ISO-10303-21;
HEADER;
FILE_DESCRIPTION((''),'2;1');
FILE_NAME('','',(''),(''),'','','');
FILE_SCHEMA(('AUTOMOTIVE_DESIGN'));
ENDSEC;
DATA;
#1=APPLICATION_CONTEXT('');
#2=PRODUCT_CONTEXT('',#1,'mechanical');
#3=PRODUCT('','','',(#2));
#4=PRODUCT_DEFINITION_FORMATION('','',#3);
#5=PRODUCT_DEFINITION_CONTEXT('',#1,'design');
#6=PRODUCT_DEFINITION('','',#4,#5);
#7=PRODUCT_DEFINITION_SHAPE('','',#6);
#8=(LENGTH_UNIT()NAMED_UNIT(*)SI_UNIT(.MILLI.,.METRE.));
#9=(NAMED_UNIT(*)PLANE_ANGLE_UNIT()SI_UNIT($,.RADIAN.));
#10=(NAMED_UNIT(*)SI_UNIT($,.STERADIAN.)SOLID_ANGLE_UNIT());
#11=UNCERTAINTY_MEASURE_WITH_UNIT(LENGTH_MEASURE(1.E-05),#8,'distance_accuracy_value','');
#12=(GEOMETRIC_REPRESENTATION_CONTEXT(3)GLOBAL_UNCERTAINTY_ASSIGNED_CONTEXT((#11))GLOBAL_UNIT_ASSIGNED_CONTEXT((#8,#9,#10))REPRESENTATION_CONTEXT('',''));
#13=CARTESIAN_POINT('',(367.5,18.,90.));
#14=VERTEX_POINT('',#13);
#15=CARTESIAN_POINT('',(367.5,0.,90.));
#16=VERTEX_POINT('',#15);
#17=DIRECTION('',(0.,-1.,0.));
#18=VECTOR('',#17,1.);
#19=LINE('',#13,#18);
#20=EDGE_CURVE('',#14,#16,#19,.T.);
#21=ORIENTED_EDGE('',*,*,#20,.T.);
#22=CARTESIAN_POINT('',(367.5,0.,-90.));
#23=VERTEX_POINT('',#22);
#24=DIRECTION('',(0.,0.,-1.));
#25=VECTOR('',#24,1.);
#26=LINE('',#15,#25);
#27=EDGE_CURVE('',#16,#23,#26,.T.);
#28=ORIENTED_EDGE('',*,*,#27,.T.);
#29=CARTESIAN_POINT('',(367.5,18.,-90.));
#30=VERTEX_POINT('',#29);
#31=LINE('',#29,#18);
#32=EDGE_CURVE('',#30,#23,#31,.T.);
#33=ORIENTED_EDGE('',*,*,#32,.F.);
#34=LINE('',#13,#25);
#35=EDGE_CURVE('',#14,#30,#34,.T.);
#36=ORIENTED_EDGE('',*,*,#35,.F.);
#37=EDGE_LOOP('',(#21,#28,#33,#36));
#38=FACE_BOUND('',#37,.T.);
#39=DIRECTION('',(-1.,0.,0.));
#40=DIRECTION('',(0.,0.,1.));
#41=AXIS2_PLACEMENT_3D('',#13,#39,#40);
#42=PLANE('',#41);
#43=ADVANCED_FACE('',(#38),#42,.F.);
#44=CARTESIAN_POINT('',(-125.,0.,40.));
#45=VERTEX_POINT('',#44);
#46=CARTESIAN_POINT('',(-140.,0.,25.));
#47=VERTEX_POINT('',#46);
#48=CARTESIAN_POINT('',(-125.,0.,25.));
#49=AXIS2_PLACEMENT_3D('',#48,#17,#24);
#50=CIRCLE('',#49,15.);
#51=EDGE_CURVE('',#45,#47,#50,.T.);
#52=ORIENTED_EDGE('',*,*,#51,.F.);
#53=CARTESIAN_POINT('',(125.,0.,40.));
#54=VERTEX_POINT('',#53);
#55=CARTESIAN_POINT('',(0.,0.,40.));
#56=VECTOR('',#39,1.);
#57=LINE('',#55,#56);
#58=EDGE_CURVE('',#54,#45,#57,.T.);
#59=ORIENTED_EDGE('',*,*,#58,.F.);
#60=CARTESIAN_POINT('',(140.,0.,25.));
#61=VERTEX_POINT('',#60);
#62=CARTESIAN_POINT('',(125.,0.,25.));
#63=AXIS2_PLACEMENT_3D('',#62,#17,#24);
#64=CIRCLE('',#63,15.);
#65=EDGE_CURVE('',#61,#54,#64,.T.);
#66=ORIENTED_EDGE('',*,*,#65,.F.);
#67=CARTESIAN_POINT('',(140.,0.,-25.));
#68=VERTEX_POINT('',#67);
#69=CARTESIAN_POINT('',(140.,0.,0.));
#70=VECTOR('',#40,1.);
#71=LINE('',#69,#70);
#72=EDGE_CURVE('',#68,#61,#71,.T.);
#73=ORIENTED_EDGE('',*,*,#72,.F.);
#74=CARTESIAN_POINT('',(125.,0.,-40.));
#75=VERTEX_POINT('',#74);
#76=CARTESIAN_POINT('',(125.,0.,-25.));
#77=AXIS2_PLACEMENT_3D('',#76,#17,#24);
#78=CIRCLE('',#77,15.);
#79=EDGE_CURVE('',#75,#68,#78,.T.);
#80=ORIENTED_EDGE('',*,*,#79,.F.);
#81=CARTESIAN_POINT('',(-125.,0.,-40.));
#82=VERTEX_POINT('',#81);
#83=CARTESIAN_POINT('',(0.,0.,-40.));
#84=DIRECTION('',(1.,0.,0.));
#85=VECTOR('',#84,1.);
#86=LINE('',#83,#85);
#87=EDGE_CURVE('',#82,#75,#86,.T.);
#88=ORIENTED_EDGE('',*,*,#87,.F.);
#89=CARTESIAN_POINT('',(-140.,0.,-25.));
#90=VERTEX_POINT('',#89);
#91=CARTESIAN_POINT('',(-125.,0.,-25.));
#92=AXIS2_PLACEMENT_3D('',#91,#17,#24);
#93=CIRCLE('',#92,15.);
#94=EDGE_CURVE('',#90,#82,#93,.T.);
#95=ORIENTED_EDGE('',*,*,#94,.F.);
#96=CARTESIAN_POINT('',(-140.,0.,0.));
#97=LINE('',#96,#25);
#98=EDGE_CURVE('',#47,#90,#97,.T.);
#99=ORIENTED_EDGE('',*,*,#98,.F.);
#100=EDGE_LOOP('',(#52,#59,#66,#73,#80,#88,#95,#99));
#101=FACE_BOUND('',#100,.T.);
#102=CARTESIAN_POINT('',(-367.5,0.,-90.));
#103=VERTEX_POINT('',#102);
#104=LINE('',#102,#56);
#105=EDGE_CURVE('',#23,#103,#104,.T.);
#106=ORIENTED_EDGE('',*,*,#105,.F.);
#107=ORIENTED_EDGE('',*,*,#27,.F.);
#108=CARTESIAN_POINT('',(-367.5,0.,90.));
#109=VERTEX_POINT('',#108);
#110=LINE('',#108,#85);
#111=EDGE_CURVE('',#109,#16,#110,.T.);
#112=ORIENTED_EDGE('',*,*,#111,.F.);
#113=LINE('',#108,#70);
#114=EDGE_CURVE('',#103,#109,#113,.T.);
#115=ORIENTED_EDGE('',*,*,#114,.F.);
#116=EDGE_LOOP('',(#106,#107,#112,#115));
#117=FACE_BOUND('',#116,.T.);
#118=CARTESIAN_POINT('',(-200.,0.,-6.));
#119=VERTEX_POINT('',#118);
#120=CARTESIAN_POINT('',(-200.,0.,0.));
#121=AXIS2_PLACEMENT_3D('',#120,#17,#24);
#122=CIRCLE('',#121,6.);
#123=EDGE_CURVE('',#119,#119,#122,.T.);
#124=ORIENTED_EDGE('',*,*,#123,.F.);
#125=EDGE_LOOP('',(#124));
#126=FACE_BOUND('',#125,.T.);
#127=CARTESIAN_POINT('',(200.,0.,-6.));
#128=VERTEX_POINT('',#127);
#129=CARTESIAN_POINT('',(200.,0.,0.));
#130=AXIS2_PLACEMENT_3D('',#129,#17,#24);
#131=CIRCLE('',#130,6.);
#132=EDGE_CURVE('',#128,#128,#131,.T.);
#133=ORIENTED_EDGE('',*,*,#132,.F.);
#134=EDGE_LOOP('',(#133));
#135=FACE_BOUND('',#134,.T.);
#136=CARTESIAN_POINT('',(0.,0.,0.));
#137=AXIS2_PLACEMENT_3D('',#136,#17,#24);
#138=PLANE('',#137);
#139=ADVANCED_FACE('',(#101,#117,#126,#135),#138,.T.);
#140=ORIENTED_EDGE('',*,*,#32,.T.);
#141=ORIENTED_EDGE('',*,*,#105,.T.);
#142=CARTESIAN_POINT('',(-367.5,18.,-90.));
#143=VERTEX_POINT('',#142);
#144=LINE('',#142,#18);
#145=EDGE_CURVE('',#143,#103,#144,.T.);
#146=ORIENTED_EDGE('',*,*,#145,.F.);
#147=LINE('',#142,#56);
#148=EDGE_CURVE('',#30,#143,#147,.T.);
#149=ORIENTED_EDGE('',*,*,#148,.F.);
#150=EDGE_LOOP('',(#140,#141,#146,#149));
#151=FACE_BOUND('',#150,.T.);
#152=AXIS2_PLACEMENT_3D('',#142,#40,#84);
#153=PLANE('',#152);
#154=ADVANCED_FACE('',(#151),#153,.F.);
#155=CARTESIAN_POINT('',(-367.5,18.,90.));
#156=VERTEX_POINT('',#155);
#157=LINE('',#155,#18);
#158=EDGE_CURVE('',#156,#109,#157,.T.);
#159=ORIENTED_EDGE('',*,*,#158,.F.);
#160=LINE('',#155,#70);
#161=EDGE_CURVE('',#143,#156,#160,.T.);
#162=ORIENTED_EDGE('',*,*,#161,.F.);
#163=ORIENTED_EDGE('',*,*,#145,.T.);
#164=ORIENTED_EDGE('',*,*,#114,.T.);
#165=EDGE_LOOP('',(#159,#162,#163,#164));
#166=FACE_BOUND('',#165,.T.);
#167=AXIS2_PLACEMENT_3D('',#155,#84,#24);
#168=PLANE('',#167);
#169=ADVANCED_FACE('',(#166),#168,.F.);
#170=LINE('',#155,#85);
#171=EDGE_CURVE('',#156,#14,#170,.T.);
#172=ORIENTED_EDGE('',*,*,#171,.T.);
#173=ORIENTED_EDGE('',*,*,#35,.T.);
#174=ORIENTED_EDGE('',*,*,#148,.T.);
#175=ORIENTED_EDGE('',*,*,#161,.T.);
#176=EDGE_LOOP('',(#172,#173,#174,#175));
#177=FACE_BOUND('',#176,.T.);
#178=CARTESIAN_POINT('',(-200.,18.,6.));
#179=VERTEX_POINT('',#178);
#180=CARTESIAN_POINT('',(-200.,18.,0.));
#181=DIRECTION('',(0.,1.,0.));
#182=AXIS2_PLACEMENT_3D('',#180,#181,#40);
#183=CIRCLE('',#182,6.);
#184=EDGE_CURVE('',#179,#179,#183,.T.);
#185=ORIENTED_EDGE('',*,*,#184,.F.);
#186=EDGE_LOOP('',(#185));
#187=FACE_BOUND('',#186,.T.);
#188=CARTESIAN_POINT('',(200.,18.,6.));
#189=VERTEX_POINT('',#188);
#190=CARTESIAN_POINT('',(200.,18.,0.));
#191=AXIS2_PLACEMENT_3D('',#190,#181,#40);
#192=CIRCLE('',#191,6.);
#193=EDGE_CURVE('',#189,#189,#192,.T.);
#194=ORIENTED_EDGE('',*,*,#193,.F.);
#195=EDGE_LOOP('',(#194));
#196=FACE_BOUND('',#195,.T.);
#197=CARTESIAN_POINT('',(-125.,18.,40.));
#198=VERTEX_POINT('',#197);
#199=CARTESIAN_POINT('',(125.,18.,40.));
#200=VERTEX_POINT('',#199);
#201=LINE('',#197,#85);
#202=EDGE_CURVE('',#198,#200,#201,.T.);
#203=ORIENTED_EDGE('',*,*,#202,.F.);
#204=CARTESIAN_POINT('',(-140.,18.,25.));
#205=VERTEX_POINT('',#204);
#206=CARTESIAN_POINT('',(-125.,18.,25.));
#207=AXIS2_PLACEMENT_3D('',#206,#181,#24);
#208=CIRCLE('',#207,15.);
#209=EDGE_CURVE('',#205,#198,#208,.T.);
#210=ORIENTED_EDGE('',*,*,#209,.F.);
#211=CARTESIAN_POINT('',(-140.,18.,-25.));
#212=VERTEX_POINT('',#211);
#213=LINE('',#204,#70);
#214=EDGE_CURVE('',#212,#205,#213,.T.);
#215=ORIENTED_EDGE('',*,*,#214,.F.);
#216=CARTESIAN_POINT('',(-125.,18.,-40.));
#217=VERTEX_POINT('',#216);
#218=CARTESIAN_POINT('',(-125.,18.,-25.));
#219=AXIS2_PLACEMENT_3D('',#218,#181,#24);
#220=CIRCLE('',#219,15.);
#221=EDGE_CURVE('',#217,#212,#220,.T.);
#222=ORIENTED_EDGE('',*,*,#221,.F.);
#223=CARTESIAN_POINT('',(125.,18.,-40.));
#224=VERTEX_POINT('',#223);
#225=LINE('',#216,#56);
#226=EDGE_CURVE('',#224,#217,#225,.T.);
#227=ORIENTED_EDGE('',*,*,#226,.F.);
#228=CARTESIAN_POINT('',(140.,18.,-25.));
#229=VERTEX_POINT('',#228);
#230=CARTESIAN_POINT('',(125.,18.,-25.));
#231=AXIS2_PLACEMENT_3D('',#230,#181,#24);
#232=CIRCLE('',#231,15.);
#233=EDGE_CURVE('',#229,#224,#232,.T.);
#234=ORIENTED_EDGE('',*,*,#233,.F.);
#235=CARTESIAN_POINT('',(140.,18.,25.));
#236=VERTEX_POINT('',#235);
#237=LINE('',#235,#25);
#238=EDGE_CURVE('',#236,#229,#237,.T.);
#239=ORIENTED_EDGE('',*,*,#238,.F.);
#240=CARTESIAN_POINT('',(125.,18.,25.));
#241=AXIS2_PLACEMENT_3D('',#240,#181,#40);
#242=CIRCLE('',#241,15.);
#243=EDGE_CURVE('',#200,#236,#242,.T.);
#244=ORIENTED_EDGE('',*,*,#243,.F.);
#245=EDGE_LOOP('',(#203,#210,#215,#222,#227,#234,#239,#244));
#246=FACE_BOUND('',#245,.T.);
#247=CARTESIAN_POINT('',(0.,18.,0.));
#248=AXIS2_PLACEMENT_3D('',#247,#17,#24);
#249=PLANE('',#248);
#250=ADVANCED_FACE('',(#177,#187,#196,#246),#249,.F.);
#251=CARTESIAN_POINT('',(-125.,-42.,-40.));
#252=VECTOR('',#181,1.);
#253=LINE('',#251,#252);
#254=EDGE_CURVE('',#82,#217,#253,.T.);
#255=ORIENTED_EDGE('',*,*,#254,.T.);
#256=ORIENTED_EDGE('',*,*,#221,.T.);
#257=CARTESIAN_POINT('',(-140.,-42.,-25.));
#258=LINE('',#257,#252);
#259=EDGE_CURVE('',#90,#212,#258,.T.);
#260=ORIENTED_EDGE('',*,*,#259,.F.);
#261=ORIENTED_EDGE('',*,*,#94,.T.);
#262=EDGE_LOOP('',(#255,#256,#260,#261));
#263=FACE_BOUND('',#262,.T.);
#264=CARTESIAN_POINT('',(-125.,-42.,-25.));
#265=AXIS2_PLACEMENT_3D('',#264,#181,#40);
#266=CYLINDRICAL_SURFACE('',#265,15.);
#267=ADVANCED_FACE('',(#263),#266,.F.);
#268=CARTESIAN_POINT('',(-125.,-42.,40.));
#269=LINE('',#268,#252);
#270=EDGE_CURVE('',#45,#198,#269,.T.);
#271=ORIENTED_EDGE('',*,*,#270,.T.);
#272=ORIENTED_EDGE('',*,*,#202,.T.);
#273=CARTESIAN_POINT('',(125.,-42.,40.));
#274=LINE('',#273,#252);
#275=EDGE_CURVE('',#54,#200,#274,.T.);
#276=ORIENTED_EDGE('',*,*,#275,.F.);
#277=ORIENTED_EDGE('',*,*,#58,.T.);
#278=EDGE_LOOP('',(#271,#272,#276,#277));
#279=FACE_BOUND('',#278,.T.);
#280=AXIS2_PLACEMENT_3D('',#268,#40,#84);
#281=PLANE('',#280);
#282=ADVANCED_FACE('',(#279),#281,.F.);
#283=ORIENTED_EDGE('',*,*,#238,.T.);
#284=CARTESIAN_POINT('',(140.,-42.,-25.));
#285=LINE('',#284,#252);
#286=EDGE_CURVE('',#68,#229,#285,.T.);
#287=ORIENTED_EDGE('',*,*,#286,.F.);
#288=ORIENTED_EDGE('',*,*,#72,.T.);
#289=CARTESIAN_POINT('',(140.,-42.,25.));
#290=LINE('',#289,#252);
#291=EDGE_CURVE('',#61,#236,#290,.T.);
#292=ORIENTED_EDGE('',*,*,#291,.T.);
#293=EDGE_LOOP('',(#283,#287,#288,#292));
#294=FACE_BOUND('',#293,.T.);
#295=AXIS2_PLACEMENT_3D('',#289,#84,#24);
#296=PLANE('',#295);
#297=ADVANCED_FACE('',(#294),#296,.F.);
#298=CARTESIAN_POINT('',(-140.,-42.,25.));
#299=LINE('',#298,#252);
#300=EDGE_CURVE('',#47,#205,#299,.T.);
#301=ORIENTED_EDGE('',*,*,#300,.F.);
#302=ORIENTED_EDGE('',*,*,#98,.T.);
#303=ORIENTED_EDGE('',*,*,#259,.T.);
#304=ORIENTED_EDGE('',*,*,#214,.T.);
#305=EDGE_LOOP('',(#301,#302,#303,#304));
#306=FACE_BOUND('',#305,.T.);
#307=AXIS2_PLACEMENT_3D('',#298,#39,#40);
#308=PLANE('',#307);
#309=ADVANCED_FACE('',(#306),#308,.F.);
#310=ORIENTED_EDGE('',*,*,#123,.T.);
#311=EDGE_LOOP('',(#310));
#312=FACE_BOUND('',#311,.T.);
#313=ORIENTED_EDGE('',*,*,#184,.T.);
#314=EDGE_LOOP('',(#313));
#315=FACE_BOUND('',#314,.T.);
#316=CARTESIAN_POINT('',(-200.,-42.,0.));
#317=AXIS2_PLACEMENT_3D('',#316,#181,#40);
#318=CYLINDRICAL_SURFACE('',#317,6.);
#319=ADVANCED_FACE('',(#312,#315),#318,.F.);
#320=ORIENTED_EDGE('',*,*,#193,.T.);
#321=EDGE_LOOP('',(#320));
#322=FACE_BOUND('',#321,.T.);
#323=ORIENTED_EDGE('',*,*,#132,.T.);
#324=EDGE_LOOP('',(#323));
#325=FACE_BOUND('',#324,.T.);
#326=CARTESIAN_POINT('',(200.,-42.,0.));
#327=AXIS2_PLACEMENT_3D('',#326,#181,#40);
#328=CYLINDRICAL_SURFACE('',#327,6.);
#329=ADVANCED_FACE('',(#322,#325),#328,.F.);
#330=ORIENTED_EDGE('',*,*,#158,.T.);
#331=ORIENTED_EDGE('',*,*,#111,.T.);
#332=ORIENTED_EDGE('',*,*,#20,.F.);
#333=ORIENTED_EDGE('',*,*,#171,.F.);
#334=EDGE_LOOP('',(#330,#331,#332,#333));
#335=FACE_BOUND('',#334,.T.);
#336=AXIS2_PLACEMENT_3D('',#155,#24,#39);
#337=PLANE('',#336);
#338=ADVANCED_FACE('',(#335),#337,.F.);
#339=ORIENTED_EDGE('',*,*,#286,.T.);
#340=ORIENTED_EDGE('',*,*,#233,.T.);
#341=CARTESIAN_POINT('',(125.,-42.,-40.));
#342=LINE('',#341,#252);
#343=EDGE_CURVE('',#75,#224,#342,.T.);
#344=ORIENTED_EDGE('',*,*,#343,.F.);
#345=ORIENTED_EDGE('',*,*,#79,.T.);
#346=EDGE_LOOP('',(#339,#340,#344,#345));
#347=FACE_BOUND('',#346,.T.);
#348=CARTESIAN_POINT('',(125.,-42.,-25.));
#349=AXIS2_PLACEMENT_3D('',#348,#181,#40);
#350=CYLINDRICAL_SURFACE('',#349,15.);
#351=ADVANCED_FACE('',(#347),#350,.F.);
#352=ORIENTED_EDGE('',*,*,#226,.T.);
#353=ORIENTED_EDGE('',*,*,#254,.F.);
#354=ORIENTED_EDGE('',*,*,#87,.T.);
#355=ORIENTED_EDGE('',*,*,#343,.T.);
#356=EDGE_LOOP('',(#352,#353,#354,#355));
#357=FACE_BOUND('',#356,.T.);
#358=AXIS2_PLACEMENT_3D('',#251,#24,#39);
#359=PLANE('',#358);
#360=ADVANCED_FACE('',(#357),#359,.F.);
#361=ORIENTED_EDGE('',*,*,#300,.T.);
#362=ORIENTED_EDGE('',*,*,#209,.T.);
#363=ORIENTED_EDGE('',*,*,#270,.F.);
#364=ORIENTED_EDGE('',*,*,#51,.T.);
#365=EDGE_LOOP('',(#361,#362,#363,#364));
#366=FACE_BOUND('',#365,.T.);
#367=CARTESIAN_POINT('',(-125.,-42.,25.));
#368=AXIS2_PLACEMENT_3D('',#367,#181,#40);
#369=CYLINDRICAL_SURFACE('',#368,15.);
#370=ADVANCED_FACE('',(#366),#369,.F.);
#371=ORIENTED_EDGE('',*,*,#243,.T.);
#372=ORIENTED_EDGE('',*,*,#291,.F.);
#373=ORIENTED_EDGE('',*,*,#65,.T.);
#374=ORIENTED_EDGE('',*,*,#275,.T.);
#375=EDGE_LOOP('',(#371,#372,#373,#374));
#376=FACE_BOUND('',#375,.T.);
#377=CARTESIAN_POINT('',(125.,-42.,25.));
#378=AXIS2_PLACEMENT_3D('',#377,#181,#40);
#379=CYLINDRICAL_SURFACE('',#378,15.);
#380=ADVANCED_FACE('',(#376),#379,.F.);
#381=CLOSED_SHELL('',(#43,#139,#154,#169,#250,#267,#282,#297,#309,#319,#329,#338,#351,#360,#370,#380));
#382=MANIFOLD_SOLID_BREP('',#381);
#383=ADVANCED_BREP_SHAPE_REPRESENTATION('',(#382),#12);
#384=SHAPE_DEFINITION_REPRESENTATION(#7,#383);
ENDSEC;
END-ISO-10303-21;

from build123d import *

# Parameters (mm, degrees)
SKETCH1_W           = 735
SKETCH1_H           = 180
BOSS_EXTRUDE1_DEPTH = 18
SKETCH2_R           = 6
CUT_EXTRUDE1_DEPTH  = 60


with BuildPart() as part:
    # Sketch1 → Boss-Extrude1 (new body)
    with BuildSketch(Plane(origin=(0, 0, 0), x_dir=(1, 0, 0), z_dir=(0, 1, 0))):
        Rectangle(SKETCH1_W, SKETCH1_H)
    extrude(amount=BOSS_EXTRUDE1_DEPTH)

    # Sketch2 → Cut-Extrude1 (cut)
    with BuildSketch(Plane(origin=(0, 18, 0), x_dir=(1, 0, 0), z_dir=(0, 1, 0))):
        with Locations((-200, 0)):
            Circle(SKETCH2_R)
        with Locations((200, 0)):
            Circle(SKETCH2_R)
        with BuildLine():
            Line((-125, -40), (125, -40))
            ThreePointArc((125, -40), (135.606601718, -35.606601718), (140, -25))
            Line((140, -25), (140, 25))
            ThreePointArc((140, 25), (135.606601718, 35.606601718), (125, 40))
            Line((125, 40), (-125, 40))
            ThreePointArc((-125, 40), (-135.606601718, 35.606601718), (-140, 25))
            Line((-140, 25), (-140, -25))
            ThreePointArc((-140, -25), (-135.606601718, -35.606601718), (-125, -40))
        make_face()
    extrude(amount=-CUT_EXTRUDE1_DEPTH, mode=Mode.SUBTRACT)


solid = part.part
